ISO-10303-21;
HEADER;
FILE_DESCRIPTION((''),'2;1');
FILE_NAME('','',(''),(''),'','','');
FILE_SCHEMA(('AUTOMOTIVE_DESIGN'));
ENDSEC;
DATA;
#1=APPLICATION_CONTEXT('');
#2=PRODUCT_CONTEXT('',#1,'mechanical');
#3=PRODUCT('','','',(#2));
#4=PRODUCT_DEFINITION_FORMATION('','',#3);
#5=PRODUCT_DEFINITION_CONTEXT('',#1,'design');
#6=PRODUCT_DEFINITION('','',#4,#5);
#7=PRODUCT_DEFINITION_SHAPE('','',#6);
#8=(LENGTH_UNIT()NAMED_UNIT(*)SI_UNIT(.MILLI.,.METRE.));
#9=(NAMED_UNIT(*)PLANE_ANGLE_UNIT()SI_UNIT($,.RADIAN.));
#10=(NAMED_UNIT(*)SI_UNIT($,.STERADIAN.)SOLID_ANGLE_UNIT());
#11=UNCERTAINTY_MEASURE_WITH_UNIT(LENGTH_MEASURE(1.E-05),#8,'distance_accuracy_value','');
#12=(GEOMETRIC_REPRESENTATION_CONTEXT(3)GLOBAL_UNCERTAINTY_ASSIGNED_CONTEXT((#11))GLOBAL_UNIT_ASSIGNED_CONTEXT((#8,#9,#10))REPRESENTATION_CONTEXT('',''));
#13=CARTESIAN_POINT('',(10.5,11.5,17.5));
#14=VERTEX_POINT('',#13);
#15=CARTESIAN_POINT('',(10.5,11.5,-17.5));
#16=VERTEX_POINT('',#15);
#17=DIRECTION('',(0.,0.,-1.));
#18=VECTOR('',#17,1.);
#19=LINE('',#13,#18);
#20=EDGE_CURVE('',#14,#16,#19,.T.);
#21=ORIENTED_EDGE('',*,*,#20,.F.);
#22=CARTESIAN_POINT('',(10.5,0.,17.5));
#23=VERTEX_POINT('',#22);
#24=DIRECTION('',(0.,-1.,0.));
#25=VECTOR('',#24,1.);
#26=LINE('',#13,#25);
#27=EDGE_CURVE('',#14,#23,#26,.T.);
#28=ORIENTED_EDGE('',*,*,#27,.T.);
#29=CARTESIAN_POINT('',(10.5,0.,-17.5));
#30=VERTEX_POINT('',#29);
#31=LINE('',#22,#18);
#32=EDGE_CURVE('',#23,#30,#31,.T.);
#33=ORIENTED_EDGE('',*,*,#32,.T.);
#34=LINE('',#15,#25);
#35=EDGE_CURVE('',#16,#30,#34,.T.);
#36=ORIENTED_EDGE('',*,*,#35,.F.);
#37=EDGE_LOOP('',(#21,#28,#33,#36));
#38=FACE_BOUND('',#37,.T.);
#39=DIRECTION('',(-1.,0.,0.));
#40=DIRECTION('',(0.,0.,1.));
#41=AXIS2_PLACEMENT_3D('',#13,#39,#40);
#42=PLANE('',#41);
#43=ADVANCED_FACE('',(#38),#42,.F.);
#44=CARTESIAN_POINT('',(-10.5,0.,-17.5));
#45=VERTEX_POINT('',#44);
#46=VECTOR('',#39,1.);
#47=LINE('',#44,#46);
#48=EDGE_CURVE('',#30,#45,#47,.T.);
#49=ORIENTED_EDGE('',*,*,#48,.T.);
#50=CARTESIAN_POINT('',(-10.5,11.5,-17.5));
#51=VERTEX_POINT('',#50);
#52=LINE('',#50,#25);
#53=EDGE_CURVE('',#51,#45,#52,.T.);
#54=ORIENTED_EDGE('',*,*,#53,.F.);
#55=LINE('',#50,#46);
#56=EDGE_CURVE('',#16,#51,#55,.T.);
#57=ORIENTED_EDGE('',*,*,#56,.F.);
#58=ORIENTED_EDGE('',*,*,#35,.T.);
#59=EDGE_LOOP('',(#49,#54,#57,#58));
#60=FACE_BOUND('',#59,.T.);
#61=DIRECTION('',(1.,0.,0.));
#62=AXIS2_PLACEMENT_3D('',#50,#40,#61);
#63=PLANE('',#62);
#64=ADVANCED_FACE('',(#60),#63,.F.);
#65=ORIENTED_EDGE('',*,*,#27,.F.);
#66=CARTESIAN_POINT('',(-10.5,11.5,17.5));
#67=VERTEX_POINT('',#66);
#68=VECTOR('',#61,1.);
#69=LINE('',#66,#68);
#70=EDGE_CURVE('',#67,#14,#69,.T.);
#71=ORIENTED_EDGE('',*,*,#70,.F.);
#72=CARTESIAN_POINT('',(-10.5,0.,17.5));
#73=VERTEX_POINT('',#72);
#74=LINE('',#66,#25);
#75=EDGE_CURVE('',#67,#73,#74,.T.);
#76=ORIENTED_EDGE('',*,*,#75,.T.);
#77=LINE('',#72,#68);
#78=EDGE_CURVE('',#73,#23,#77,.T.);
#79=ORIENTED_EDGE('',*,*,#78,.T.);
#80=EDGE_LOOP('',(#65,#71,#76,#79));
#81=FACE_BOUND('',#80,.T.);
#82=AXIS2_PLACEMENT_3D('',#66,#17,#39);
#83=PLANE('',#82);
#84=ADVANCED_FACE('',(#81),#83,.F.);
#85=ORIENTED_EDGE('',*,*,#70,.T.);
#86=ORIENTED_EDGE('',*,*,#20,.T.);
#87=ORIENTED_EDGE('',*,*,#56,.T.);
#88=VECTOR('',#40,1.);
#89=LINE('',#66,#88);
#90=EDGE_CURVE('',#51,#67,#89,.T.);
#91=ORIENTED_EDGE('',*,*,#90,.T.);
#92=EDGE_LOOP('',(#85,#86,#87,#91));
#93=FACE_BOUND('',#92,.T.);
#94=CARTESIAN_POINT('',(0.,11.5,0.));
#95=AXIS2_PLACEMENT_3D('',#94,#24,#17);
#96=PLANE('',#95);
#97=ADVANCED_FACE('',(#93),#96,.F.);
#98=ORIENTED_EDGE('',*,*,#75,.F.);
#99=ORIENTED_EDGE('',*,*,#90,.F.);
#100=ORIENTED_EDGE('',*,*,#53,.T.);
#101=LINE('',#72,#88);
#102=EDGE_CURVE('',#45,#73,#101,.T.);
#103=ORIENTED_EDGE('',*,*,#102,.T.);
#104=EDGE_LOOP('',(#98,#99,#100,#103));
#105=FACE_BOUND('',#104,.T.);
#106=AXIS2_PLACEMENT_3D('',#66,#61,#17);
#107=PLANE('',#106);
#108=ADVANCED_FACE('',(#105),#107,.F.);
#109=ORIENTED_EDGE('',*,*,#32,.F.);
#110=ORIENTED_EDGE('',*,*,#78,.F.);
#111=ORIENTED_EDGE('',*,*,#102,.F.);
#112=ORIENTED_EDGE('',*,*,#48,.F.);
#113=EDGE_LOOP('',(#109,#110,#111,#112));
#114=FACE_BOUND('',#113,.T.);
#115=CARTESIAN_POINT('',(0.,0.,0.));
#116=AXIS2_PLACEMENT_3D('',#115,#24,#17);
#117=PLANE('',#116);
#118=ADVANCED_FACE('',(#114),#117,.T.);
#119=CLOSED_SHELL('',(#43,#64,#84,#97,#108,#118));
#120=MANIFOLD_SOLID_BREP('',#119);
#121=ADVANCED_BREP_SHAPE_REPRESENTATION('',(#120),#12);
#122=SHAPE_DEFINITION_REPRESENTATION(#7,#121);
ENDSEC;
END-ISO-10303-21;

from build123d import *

# Parameters (mm, degrees)
SKETCH_1_W      = 21
SKETCH_1_H      = 35
EXTRUDE_1_DEPTH = 11.5


with BuildPart() as part:
    # 草图1 → 凸台-拉伸1 (new body)
    with BuildSketch(Plane(origin=(0, 0, 0), x_dir=(1, 0, 0), z_dir=(0, 1, 0))):
        Rectangle(SKETCH_1_W, SKETCH_1_H)
    extrude(amount=EXTRUDE_1_DEPTH)


solid = part.part
